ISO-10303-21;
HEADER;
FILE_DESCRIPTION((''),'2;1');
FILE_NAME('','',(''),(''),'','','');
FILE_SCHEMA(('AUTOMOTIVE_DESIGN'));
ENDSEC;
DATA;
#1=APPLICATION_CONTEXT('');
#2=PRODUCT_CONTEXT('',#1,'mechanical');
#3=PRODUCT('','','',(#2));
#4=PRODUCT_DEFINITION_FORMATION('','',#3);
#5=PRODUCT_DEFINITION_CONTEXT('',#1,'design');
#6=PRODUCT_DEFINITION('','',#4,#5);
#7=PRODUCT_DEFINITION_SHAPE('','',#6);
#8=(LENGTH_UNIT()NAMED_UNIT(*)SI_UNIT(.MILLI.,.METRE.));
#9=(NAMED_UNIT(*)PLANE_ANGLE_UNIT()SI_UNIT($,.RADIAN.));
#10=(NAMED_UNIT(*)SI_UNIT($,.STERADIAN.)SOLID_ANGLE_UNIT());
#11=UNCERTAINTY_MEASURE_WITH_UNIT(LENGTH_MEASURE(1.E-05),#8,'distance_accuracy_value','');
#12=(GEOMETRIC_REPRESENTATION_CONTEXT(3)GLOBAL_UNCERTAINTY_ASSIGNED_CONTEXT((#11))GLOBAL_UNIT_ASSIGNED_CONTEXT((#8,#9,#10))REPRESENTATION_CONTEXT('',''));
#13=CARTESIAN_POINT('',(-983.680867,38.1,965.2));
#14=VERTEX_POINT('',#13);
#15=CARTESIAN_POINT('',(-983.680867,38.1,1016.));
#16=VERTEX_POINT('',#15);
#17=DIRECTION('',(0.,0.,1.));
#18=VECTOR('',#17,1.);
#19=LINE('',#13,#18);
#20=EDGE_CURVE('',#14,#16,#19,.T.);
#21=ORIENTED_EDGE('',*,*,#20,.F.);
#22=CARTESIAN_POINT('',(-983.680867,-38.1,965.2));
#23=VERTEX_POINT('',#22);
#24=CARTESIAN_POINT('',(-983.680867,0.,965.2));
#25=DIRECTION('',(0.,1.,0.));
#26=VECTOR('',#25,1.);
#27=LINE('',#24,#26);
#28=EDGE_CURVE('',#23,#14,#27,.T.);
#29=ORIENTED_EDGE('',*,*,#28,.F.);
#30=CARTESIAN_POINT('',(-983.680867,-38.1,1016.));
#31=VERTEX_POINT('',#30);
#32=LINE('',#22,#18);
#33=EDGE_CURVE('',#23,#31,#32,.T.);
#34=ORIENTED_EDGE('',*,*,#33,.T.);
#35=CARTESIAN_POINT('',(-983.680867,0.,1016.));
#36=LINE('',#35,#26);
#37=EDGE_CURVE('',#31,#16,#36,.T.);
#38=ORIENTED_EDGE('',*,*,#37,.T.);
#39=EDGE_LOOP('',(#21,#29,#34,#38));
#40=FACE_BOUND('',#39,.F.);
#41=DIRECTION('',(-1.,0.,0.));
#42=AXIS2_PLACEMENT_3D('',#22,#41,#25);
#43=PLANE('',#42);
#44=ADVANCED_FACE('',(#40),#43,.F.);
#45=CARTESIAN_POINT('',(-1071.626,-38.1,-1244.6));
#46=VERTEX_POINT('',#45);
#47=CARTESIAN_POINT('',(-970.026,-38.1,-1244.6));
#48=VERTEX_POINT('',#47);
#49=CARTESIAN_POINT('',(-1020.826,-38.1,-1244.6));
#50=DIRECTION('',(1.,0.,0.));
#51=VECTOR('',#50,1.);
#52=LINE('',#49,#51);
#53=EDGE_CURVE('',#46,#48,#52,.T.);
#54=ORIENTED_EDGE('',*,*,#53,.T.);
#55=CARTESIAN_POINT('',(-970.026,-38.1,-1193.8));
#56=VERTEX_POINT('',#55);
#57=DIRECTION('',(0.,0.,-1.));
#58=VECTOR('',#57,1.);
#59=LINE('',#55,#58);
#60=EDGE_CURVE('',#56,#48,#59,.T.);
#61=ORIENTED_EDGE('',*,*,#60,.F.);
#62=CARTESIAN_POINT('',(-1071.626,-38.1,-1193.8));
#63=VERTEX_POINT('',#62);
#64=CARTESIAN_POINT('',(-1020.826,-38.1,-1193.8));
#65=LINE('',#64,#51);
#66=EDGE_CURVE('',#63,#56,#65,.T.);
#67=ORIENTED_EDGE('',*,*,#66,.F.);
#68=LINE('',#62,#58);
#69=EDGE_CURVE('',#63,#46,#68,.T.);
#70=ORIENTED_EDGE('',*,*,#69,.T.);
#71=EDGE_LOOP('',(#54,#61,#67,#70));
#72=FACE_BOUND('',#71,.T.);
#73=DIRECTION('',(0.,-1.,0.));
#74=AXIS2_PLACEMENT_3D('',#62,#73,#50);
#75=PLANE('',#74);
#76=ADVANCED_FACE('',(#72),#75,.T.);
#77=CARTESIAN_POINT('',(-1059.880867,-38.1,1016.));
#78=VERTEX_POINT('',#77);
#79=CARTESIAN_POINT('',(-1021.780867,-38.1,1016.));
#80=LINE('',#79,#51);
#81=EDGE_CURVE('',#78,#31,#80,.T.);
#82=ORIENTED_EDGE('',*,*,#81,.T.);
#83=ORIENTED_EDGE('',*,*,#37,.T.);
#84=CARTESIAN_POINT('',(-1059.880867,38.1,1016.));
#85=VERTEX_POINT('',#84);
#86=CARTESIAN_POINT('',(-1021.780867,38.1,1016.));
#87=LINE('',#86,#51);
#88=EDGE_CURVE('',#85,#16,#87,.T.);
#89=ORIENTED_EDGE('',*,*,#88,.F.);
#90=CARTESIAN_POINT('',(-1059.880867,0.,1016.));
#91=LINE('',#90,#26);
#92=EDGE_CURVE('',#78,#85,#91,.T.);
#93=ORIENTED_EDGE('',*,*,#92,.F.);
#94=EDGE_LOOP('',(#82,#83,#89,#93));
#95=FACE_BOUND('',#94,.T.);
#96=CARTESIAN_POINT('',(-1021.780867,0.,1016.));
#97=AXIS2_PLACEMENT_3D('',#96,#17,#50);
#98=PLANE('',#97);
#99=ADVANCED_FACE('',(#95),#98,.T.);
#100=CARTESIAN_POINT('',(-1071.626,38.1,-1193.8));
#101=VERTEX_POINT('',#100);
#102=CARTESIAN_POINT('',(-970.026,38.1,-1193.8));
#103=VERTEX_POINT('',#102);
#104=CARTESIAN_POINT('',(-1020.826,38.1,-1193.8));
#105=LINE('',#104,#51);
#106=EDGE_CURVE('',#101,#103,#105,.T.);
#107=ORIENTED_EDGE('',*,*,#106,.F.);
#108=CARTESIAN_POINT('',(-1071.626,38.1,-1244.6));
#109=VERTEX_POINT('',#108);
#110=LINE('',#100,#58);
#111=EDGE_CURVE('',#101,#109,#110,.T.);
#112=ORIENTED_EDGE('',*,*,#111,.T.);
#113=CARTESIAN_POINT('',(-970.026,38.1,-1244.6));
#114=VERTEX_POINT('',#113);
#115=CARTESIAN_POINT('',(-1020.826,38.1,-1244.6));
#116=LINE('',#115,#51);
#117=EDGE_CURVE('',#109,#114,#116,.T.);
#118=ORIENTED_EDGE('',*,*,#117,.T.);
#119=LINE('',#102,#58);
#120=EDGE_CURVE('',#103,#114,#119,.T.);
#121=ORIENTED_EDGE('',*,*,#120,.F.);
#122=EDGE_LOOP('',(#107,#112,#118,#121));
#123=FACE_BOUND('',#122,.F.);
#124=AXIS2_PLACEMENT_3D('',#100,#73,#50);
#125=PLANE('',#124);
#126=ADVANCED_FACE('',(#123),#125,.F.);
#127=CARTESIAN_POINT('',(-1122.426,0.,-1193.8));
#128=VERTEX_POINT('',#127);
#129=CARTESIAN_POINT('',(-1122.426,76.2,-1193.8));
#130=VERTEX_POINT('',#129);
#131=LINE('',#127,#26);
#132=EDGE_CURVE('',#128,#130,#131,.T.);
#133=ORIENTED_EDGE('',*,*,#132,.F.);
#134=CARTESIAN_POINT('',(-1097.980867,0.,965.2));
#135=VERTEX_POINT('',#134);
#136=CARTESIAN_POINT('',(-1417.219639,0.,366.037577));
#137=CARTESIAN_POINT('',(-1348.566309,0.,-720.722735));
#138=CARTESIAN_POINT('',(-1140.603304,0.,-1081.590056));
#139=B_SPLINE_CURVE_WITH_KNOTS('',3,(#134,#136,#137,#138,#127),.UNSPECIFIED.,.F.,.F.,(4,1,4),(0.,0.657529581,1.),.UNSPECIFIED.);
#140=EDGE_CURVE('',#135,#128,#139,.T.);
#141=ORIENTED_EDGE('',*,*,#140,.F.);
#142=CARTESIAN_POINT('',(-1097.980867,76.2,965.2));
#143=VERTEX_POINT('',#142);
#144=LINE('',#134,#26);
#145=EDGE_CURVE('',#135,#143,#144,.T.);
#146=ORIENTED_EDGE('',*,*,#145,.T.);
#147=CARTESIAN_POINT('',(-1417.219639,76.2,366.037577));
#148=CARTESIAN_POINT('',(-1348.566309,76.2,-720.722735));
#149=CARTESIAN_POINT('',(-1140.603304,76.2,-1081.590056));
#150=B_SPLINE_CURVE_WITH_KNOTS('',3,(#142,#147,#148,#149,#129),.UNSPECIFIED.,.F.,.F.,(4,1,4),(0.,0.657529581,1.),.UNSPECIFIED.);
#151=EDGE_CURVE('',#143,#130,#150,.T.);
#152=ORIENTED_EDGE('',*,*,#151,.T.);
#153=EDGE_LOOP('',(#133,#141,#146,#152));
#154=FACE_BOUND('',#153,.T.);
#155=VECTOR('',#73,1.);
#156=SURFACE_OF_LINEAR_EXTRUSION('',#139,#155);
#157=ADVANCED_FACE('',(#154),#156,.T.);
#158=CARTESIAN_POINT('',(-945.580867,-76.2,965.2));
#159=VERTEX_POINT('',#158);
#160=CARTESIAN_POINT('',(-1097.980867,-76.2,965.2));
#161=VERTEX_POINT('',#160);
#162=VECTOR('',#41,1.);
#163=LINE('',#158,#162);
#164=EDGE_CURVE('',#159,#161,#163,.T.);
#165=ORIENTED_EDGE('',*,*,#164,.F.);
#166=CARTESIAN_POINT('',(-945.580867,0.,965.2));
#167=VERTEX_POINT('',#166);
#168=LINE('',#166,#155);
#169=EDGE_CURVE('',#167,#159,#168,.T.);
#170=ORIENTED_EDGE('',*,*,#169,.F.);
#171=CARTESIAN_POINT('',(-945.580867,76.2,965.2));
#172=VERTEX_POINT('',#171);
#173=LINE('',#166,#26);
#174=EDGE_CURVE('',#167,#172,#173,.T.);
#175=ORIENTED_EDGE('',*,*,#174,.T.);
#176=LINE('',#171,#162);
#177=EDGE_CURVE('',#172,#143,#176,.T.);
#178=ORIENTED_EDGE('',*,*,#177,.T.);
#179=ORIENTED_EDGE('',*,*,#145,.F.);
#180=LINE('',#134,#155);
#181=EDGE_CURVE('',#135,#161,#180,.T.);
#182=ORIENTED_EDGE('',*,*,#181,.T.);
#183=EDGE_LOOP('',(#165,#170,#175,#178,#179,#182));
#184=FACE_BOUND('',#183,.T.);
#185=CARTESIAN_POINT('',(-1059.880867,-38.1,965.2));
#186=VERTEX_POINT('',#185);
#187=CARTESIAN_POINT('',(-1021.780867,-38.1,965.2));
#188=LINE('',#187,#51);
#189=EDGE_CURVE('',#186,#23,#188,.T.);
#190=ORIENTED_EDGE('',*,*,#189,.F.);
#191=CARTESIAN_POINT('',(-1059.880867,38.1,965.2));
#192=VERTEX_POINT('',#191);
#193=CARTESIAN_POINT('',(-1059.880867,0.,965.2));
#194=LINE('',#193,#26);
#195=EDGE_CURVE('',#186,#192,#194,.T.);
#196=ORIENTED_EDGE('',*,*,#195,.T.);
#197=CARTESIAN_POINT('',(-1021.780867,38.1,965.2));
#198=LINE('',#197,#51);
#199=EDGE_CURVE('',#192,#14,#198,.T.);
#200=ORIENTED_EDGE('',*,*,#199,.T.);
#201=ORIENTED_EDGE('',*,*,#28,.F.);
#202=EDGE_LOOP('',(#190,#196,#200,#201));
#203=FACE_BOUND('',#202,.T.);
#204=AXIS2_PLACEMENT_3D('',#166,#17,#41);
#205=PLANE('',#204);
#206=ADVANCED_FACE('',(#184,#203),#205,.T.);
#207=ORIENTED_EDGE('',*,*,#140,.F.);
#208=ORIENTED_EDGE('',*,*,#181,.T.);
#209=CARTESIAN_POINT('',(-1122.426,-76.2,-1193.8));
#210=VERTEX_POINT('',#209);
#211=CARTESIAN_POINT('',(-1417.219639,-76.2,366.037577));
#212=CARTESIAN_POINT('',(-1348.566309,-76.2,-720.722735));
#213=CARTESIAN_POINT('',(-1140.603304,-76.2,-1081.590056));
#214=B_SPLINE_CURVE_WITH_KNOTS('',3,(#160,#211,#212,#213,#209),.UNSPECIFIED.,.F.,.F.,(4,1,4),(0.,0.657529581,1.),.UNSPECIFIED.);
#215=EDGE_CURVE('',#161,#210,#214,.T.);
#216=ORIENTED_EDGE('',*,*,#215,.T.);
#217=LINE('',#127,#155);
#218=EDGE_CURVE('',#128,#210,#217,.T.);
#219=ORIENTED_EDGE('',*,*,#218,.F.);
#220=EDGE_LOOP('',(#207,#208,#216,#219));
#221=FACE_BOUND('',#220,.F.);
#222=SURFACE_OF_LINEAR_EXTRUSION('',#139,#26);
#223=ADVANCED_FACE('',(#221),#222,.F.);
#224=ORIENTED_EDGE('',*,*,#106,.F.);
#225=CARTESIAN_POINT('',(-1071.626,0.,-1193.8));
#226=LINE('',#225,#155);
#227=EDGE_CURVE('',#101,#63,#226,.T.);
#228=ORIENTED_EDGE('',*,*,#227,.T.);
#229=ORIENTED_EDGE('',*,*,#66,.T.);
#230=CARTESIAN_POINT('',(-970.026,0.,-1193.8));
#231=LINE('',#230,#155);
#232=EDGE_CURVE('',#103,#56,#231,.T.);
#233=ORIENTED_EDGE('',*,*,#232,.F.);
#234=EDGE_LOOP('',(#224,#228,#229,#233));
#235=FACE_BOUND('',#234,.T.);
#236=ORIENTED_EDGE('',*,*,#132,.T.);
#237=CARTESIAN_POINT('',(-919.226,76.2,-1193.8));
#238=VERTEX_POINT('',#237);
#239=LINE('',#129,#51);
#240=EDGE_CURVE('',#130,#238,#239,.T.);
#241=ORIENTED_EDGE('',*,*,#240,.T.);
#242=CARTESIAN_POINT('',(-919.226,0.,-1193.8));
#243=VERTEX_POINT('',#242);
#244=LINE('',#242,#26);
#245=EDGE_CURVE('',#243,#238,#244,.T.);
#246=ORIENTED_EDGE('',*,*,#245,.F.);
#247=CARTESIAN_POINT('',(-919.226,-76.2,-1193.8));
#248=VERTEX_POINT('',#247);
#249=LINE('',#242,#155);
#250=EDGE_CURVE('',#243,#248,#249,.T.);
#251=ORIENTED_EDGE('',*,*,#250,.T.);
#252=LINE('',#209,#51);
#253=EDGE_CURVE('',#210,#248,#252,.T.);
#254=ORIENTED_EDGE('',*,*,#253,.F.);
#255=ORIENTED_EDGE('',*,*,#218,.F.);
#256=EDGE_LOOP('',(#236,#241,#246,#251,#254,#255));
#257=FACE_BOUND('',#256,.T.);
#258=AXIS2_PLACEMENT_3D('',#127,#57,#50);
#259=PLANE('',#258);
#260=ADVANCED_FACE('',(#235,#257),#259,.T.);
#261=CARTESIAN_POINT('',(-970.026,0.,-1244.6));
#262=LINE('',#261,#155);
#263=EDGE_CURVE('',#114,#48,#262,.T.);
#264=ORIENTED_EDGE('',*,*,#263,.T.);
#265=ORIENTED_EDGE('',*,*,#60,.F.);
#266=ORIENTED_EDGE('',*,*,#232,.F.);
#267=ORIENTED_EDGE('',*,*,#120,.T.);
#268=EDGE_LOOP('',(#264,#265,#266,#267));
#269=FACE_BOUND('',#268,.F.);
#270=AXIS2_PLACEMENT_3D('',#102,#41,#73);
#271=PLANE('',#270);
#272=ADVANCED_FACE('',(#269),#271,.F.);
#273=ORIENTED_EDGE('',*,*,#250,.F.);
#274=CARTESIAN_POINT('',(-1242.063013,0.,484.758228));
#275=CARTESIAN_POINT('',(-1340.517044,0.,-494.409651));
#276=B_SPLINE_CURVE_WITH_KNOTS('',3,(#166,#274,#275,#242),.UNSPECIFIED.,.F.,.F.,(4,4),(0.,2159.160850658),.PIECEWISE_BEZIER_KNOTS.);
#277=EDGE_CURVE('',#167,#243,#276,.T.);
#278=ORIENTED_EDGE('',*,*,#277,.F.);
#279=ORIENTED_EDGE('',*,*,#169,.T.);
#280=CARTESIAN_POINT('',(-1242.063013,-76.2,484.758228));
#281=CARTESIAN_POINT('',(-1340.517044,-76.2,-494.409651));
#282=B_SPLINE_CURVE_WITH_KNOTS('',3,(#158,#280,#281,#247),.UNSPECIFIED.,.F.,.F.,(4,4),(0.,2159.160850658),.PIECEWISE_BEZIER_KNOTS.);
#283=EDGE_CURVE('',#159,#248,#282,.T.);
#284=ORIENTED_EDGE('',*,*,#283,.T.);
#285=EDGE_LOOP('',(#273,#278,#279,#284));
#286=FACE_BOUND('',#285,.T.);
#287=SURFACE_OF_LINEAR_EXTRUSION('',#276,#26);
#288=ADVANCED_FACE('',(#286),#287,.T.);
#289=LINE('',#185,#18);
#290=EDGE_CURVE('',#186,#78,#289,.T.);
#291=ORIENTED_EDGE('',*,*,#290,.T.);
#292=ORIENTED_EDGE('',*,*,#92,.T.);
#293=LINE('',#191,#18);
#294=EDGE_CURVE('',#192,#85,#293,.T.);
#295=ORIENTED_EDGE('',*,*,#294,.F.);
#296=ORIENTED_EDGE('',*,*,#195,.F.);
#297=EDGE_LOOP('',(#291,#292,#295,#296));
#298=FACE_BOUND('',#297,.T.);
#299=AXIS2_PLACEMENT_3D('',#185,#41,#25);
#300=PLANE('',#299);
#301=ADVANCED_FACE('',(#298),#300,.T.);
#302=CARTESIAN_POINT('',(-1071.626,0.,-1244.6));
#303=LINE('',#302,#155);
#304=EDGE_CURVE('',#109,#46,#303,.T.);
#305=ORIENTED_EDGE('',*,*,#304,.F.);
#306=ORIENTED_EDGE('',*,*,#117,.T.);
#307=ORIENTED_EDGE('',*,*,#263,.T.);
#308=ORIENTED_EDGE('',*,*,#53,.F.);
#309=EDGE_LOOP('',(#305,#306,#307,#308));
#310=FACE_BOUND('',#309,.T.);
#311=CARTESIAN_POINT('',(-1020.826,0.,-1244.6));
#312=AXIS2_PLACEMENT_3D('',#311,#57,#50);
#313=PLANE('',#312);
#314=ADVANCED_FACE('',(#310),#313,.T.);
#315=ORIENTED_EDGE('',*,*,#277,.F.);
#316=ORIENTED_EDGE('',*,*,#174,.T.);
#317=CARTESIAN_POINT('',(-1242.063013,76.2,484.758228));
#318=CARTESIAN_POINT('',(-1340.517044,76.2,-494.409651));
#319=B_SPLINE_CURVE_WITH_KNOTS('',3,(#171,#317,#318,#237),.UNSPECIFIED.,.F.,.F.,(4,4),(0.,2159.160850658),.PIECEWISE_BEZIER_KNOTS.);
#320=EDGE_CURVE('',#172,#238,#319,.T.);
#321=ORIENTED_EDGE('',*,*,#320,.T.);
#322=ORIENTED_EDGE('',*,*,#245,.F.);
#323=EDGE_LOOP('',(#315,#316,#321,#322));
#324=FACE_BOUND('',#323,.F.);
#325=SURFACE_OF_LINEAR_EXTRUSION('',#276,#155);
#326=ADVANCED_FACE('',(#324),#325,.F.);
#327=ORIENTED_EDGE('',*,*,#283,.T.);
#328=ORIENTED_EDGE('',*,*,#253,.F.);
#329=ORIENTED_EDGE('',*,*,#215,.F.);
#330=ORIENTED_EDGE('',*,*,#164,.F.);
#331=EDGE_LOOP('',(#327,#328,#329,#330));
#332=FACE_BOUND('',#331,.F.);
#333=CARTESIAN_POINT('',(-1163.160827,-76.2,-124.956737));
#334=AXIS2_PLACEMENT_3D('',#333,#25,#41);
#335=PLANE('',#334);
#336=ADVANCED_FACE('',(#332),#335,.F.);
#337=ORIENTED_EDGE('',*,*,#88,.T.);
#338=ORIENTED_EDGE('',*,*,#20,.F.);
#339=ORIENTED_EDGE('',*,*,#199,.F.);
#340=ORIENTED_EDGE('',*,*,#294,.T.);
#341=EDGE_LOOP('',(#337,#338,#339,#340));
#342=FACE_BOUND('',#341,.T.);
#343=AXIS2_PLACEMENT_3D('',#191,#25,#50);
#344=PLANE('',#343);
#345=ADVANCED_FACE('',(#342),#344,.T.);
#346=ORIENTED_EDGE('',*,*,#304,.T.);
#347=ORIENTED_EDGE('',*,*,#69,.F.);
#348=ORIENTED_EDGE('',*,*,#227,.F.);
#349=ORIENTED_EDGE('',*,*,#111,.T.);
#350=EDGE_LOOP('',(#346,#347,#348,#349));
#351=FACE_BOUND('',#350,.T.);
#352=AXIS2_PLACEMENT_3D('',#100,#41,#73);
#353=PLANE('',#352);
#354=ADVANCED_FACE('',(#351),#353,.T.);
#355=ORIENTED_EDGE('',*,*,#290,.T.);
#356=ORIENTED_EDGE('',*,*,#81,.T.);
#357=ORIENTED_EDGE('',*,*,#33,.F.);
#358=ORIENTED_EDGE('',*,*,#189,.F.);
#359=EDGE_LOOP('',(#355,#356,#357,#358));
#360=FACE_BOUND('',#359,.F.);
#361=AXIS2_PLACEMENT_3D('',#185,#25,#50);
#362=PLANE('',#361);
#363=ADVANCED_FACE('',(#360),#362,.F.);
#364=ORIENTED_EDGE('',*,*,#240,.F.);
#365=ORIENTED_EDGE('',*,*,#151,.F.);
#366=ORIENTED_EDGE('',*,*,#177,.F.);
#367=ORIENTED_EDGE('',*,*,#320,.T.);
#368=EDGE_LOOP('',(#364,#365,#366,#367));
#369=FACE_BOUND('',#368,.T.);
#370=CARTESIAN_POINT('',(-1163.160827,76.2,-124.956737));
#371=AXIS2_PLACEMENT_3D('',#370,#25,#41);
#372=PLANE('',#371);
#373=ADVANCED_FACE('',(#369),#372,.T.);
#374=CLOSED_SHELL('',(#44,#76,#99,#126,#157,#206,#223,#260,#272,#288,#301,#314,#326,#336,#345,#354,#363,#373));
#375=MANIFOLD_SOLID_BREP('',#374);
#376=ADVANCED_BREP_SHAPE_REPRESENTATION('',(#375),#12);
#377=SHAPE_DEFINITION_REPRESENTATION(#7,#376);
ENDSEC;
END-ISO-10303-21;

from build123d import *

# Parameters (mm, degrees)
F1_DEPTH = 76.2
F2_W     = 101.6
F2_H     = 76.2
F3_DEPTH = 50.8
F4_W     = 76.2
F4_H     = 76.2
F5_DEPTH = 50.8


with BuildPart() as f1:
    # F0 (on Front) → F1 (new body, symmetric)
    with BuildSketch(Plane.XZ):
        with BuildLine():
            add(Edge.make_bspline(
                [(-945.5808670162, 965.2), (-1242.0630128025, 484.7582280636), (-1340.5170440674, -494.4096505642), (-919.226, -1193.8)],
                knots=[0, 0, 0, 0, 2159.1608506583, 2159.1608506583, 2159.1608506583, 2159.1608506583], degree=3))
            Line((-945.5808670162, 965.2), (-1097.9808670162, 965.2))
            add(Edge.make_bspline(
                [(-1097.9808670162, 965.2), (-1417.2196388245, 366.0375773907), (-1348.5663086676, -720.7227352137), (-1140.6033039093, -1081.5900564194), (-1122.426, -1193.8)],
                knots=[0, 0, 0, 0, 0.6575295809, 1, 1, 1, 1], degree=3))
            Line((-1122.426, -1193.8), (-919.226, -1193.8))
        make_face()
    extrude(amount=F1_DEPTH, both=True)

    # F2 (on face) → F3 (join)
    with BuildSketch(Plane(origin=(0, 0, -1193.8), x_dir=(1, 0, 0), z_dir=(0, 0, -1))):
        with Locations((-1020.826, 0)):
            Rectangle(F2_W, F2_H)
    extrude(amount=F3_DEPTH)

    # F4 (on face) → F5 (join)
    with BuildSketch(Plane.XY.offset(965.2)):
        with Locations((-1021.7808670162, 0)):
            Rectangle(F4_W, F4_H)
    extrude(amount=F5_DEPTH)


solid = f1.part
